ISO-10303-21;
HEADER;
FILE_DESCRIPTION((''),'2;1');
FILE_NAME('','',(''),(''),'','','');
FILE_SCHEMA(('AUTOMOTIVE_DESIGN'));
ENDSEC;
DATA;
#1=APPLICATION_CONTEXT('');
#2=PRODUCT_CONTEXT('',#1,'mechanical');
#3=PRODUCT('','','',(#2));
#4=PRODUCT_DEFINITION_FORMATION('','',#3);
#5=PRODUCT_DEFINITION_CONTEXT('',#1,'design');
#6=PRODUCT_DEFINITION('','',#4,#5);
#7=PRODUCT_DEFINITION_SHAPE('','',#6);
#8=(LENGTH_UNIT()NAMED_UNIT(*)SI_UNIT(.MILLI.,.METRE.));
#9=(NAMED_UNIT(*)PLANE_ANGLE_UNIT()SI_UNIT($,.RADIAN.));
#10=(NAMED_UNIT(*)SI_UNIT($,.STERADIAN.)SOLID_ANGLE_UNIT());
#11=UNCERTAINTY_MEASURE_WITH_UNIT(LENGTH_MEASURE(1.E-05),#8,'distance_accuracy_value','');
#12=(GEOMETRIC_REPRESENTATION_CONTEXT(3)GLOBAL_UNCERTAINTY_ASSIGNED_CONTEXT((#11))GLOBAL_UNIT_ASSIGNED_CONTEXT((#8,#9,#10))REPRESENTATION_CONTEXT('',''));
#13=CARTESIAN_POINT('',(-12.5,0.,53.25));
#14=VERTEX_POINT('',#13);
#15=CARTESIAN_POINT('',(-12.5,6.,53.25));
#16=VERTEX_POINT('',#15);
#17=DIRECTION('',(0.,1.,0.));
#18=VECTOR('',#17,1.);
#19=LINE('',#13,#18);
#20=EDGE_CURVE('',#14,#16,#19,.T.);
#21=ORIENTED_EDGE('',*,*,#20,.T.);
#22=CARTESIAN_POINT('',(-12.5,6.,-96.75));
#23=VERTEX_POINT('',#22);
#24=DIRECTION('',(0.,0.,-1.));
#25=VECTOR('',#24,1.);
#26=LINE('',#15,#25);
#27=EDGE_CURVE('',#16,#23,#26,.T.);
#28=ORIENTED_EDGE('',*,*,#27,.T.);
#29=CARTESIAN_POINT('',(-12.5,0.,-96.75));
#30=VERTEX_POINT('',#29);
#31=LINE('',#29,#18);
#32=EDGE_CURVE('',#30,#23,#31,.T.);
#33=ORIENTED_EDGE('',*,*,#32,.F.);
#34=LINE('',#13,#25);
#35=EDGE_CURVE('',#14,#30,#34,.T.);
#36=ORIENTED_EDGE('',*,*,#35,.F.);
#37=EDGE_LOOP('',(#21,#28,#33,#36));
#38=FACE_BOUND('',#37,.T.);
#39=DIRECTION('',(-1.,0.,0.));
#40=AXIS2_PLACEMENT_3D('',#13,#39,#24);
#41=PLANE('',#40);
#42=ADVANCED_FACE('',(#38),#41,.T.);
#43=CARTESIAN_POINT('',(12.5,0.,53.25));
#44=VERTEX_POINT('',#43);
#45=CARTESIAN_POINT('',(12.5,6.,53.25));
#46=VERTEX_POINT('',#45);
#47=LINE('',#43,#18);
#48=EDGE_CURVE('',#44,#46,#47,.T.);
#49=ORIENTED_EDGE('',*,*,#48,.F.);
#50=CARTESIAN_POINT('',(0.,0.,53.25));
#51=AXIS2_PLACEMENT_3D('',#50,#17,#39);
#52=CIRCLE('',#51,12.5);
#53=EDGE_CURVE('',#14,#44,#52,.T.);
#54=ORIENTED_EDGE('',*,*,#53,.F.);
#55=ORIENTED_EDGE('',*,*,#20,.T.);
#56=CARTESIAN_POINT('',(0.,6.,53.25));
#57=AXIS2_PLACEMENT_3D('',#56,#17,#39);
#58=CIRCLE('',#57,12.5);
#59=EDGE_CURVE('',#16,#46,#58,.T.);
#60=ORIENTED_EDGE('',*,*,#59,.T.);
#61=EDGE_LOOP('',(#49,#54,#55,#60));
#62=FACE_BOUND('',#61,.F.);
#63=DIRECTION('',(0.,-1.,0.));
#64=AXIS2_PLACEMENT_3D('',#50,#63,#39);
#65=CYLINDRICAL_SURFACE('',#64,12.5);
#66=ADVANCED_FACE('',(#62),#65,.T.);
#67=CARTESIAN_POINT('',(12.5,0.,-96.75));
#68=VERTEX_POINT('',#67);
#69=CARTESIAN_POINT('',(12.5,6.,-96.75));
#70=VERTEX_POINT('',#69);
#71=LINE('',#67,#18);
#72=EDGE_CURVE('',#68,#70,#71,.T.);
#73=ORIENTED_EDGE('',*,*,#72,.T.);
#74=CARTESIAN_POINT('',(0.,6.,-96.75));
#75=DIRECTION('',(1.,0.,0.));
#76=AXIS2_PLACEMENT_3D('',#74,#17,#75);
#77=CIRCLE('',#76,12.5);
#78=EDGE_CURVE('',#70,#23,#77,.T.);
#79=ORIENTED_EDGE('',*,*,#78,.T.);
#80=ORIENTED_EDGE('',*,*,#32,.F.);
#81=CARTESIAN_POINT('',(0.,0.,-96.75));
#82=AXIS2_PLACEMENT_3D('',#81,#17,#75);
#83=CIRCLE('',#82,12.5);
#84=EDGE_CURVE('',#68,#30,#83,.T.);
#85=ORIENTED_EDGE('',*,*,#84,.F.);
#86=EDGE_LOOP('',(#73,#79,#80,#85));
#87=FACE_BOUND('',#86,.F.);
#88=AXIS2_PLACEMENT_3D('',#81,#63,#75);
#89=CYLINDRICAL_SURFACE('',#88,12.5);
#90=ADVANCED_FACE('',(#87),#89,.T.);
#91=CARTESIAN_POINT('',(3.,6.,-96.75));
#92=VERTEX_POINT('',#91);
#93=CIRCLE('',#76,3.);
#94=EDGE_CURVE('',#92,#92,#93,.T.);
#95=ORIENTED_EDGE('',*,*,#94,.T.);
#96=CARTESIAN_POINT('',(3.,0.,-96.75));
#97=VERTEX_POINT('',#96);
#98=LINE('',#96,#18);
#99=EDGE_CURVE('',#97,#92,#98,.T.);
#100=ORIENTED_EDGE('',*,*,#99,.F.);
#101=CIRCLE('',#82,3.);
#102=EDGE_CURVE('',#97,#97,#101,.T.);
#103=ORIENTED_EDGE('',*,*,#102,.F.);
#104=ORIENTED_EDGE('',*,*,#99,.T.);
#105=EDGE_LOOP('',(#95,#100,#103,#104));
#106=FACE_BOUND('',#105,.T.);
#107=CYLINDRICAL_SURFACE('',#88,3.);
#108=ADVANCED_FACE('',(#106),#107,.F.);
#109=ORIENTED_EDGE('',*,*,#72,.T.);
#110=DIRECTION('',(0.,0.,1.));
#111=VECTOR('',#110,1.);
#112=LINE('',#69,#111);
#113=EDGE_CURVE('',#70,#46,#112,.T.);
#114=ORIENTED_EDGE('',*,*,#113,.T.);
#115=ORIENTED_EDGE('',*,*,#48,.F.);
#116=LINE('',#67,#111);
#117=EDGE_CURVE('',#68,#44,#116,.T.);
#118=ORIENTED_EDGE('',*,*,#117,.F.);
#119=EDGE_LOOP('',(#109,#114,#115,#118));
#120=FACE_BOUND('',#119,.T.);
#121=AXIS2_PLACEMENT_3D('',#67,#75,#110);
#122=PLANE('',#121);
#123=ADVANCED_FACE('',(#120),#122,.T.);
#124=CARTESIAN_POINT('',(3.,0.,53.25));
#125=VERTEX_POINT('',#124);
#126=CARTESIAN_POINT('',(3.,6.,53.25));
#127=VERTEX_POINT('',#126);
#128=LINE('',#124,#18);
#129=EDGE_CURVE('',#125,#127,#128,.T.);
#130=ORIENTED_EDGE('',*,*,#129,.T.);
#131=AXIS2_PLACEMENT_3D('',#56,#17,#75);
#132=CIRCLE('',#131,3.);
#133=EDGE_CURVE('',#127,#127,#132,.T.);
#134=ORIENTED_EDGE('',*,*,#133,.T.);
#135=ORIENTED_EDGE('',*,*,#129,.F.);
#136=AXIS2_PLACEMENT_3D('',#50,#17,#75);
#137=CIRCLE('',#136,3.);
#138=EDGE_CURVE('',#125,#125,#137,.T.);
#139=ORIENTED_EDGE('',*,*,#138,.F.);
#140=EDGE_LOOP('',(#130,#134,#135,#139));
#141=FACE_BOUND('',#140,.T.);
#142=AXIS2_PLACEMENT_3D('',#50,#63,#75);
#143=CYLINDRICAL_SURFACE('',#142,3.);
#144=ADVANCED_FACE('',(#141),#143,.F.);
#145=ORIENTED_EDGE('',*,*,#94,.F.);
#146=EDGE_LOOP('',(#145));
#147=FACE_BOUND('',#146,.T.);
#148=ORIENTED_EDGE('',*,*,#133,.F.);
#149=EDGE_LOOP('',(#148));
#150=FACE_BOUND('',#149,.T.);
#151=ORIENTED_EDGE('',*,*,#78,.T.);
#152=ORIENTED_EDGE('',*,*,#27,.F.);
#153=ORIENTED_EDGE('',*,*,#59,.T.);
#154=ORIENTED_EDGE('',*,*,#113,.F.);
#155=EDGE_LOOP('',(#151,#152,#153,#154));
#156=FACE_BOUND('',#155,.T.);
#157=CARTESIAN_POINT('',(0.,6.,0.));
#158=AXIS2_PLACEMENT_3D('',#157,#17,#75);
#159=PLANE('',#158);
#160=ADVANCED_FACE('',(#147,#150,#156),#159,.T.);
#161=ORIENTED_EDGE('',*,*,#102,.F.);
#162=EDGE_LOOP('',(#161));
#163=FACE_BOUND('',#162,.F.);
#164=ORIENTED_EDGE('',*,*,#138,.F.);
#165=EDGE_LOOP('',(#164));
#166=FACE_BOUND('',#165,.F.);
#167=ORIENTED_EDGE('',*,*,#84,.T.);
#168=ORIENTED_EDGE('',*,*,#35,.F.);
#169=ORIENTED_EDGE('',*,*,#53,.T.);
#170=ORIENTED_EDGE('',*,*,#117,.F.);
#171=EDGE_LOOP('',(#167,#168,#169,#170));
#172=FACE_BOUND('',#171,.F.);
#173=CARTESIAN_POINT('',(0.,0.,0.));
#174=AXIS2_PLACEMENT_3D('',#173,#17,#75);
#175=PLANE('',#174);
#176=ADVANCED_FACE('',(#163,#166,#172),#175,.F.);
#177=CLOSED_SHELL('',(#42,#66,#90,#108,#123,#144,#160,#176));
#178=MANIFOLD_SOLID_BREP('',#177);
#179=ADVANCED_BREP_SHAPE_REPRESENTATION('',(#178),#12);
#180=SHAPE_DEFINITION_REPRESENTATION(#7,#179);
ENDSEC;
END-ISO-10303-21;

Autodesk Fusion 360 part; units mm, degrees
sketch "Sketch1" plane through (0, 0, 0) normal (0, 1, 0) x (1, 0, 0)
  circle A0 centre (0, 96.75) radius 3
  arc A1 (12.5, 96.75) -> (-12.5, 96.75) centre (0, 96.75) ccw
  line L0 (12.5, 96.75) -> (12.5, -53.25)
  arc A2 (-12.5, -53.25) -> (12.5, -53.25) centre (0, -53.25) ccw
  line L1 (-12.5, -53.25) -> (-12.5, 96.75)
  circle A3 centre (0, -53.25) radius 3
  point P0 (-35.6168, 0)
extrude "Extrude1" add sketch "Sketch1" along normal blind 6
